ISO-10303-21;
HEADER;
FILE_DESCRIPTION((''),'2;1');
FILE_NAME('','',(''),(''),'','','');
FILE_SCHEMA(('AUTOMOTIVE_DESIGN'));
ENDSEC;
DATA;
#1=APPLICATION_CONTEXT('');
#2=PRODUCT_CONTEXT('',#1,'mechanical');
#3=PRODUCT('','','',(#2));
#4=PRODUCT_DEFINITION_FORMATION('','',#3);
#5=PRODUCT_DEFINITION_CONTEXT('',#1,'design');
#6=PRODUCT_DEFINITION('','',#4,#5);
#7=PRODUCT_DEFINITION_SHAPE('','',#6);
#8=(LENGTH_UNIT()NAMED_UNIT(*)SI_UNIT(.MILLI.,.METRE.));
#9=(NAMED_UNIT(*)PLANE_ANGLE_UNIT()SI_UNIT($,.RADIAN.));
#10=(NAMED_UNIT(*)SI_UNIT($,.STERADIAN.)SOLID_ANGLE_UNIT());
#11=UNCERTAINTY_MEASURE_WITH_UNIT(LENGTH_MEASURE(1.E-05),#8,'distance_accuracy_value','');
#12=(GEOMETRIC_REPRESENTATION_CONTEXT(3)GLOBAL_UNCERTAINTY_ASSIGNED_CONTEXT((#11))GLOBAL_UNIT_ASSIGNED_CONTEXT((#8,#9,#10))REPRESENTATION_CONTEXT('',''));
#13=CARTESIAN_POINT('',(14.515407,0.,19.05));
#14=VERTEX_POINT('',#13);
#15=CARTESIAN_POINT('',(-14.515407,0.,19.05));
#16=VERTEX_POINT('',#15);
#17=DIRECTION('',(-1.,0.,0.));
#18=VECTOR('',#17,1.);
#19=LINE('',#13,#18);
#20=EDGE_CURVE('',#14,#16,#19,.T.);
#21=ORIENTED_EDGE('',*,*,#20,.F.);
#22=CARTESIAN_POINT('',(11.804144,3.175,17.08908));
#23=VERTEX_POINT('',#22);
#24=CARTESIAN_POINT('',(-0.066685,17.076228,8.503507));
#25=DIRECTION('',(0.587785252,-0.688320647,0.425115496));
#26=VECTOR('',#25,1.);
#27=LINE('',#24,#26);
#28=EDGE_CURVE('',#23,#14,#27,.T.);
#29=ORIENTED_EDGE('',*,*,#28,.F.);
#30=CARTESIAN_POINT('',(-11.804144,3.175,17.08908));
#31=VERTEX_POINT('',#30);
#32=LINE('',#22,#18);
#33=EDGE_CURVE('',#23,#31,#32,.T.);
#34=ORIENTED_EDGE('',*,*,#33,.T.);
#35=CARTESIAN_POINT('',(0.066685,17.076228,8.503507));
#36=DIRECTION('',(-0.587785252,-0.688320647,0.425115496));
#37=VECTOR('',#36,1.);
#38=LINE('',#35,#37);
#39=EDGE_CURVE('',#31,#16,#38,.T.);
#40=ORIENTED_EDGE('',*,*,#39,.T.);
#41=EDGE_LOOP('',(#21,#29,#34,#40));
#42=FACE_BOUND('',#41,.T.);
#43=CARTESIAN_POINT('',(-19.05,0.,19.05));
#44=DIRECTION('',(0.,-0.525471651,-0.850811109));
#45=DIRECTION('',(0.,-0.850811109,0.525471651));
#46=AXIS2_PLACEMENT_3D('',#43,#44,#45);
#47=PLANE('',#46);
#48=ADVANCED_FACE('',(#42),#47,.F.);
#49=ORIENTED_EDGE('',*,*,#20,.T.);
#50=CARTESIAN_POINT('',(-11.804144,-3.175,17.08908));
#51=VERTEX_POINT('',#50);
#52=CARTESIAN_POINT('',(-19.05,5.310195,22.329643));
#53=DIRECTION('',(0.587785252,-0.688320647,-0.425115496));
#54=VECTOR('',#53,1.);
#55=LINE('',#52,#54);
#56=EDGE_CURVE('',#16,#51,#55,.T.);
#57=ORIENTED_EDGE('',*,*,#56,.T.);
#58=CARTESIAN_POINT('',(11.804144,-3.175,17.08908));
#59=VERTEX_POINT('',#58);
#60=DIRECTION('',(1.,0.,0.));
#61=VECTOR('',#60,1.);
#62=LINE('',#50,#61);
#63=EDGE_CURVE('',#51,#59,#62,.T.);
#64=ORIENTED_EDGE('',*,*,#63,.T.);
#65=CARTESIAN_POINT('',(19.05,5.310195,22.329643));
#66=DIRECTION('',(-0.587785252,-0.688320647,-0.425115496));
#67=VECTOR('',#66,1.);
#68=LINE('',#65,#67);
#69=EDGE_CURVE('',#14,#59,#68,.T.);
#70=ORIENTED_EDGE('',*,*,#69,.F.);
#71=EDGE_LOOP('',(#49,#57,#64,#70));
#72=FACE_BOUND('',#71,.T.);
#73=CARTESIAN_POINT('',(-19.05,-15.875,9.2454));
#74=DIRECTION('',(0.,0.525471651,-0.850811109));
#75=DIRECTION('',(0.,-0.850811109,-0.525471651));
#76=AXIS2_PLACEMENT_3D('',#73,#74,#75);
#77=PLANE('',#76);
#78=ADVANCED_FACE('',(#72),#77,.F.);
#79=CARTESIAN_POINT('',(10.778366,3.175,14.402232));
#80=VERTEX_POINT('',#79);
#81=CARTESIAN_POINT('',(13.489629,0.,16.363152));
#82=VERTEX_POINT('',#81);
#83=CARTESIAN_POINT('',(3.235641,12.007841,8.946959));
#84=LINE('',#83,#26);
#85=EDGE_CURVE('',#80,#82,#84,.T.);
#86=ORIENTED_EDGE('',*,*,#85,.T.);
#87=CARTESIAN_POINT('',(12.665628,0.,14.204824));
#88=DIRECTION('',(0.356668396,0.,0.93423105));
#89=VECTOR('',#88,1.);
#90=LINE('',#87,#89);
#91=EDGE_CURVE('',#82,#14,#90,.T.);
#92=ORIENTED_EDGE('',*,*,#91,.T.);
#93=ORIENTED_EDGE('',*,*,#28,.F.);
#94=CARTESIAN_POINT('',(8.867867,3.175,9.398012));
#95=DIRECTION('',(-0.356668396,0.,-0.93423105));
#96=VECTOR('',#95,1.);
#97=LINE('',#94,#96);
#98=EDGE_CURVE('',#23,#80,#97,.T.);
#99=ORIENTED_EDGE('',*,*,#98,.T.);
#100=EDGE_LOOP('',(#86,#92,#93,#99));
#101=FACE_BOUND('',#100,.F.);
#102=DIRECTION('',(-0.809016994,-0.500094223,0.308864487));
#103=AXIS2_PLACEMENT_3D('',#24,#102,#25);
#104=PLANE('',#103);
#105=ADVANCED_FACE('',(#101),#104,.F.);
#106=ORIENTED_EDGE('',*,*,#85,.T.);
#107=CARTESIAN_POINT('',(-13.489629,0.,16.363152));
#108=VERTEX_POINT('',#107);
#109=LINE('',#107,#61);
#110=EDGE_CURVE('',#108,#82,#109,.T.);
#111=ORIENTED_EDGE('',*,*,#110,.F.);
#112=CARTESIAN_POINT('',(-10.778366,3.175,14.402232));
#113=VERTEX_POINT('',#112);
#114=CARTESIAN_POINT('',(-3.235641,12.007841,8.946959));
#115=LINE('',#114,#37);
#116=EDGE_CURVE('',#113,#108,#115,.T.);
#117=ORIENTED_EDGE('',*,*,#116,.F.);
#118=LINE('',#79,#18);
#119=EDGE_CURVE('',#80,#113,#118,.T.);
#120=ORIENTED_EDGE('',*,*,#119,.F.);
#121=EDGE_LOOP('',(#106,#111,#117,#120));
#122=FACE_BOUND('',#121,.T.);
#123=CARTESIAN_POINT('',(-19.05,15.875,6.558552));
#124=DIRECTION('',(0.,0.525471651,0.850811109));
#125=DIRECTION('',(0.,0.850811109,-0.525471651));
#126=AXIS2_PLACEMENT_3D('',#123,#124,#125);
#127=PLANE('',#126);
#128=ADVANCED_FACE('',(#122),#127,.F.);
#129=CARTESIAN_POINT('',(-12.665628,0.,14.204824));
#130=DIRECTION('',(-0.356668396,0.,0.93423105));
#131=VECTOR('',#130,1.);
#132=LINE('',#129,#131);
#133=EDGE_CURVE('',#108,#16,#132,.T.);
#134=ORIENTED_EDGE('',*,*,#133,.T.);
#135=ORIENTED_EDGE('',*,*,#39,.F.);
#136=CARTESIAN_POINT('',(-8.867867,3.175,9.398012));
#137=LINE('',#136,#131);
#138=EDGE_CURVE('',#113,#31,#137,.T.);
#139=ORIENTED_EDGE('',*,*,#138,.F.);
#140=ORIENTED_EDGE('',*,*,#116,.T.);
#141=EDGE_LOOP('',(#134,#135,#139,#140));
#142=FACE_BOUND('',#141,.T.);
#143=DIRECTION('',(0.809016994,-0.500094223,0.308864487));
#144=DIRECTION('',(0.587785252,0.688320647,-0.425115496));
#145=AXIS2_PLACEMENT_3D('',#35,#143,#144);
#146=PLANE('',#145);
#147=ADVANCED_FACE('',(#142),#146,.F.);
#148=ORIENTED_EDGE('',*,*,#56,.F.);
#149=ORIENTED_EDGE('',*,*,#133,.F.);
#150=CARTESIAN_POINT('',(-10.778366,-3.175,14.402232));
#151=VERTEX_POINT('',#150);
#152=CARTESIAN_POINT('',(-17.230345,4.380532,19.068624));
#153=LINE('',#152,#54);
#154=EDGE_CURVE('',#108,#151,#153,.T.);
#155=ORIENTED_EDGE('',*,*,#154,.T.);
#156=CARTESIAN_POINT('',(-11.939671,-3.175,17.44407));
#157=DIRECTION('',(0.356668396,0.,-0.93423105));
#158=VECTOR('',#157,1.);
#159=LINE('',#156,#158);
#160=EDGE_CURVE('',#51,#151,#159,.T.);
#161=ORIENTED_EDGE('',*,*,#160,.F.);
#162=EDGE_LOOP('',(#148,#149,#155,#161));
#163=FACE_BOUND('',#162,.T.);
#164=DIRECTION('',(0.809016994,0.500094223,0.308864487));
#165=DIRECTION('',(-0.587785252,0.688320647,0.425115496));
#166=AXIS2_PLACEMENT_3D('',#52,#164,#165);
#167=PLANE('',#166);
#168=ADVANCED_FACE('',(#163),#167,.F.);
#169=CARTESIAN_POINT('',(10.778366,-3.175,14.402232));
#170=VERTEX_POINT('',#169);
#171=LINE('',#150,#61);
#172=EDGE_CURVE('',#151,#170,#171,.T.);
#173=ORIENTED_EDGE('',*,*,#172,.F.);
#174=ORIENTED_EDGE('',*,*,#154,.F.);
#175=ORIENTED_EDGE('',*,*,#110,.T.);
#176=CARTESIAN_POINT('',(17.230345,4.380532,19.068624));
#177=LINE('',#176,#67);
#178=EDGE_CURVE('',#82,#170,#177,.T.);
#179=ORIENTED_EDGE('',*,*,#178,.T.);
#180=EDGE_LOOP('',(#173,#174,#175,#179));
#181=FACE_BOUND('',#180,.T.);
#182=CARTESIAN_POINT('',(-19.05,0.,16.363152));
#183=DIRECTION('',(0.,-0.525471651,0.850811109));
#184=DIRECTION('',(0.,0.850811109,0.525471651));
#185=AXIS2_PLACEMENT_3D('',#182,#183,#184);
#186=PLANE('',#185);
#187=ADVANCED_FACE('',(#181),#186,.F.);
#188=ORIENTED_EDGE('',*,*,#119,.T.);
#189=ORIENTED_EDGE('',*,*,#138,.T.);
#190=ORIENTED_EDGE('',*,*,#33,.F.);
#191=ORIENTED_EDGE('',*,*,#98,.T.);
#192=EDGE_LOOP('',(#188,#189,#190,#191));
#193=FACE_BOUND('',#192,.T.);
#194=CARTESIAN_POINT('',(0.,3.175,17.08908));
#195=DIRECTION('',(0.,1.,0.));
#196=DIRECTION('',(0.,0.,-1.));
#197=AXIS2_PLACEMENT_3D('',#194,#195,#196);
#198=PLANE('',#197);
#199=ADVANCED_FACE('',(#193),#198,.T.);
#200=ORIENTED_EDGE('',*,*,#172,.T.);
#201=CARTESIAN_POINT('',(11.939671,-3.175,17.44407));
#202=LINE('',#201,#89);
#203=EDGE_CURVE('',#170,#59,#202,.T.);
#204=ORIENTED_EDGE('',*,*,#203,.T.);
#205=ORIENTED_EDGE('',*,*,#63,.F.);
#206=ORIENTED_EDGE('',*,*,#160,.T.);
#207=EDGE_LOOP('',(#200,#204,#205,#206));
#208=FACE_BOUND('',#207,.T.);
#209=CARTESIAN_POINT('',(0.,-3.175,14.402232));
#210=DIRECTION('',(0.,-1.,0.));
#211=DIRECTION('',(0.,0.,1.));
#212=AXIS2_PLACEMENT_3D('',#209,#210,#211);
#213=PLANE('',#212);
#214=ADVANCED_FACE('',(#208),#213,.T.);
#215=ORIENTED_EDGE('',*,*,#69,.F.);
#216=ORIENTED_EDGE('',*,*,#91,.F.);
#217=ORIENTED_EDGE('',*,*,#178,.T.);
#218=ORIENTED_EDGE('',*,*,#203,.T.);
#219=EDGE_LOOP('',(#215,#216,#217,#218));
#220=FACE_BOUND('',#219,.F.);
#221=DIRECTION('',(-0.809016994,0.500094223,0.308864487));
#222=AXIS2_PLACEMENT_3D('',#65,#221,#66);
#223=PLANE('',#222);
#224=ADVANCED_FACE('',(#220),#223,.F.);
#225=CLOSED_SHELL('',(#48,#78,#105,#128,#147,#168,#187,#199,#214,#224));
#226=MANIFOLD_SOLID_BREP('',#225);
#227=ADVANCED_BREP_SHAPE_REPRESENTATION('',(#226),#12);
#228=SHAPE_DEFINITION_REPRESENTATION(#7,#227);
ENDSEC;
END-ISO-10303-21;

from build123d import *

# Parameters (mm, degrees)
F0_W           = 31.75
F0_H           = 38.1
F1_DEPTH       = 19.05
F3_DEPTH       = 19.051
F5_DEPTH       = 18.9707249215
F7_DEPTH       = 18.9707249215
F9_DEPTH       = 25.4
F12_DEPTH      = 14.5164068706
F12_DEPTH_BACK = 14.5164068706


with BuildPart() as f1:
    # F0 (on Right) → F1 (new body)
    with BuildSketch(Plane.YZ):
        Rectangle(F0_W, F0_H)
    extrude(amount=F1_DEPTH)

    # F2 (on face) → F3 (cut, through all)
    with BuildSketch(Plane.YZ.offset(19.05)):
        Polygon((15.875, 19.05), (0, 19.05), (15.875, 9.2454001677), align=None)
        Polygon((-15.875, 9.2454001677), (0, 19.05), (-15.875, 19.05), align=None)
        Polygon((-15.875, -19.05), (15.875, -19.05), (15.875, 6.5585523178), (0, 16.3631521501), (-15.875, 6.5585523178), align=None)
    extrude(amount=-F3_DEPTH, mode=Mode.SUBTRACT)

    # F4 (on face) → F5 (cut, through all)
    with BuildSketch(Plane(origin=(0, -8.5168191059, 13.7899053117), x_dir=(1, 0, 0), z_dir=(0, -0.5254716511, 0.8508111094))):
        Polygon((19.05, -10.060293047), (19.05, 16.251566953), (-0.0666852809, -10.060293047), align=None)
    extrude(amount=-F5_DEPTH, mode=Mode.SUBTRACT)

    # F6 (on face) → F7 (cut, through all)
    with BuildSketch(Plane(origin=(0, 8.5168191059, 13.7899053117), x_dir=(1, 0, 0), z_dir=(0, 0.5254716511, 0.8508111094))):
        Polygon((125.3145152414, -10.0102349529), (125.3145152414, 10.060293047), (110.7324230899, 10.060293047), align=None)
    extrude(amount=-F7_DEPTH, mode=Mode.SUBTRACT)

    # F8 (on face) → F9 (cut)
    with BuildSketch(Plane(origin=(0, 8.5168191059, 13.7899053117), x_dir=(1, 0, 0), z_dir=(0, 0.5254716511, 0.8508111094))):
        Polygon((-0.0666852809, 10.060293047), (19.05, -16.251566953), (19.05, 10.060293047), align=None)
    extrude(amount=-F9_DEPTH, mode=Mode.SUBTRACT)

    # F10: F1 across plane


with BuildPart() as f1_1:
    add(f1.part)
    add(f1.part.mirror(Plane.YZ))

    # F11 (on Right) → F12 (cut, two sides)
    with BuildSketch(Plane.YZ) as f12_sk:
        Polygon((-15.875, 9.2454001677), (-15.875, 6.5585523178), (-3.175, 14.4022321837), (-3.175, 17.0890800335), align=None)
        Polygon((15.875, 9.2454001677), (3.175, 17.0890800335), (3.175, 14.4022321837), (15.875, 6.5585523178), align=None)
    extrude(amount=-F12_DEPTH, mode=Mode.SUBTRACT)
    extrude(f12_sk.sketch, amount=F12_DEPTH_BACK, mode=Mode.SUBTRACT)


solid = f1_1.part
